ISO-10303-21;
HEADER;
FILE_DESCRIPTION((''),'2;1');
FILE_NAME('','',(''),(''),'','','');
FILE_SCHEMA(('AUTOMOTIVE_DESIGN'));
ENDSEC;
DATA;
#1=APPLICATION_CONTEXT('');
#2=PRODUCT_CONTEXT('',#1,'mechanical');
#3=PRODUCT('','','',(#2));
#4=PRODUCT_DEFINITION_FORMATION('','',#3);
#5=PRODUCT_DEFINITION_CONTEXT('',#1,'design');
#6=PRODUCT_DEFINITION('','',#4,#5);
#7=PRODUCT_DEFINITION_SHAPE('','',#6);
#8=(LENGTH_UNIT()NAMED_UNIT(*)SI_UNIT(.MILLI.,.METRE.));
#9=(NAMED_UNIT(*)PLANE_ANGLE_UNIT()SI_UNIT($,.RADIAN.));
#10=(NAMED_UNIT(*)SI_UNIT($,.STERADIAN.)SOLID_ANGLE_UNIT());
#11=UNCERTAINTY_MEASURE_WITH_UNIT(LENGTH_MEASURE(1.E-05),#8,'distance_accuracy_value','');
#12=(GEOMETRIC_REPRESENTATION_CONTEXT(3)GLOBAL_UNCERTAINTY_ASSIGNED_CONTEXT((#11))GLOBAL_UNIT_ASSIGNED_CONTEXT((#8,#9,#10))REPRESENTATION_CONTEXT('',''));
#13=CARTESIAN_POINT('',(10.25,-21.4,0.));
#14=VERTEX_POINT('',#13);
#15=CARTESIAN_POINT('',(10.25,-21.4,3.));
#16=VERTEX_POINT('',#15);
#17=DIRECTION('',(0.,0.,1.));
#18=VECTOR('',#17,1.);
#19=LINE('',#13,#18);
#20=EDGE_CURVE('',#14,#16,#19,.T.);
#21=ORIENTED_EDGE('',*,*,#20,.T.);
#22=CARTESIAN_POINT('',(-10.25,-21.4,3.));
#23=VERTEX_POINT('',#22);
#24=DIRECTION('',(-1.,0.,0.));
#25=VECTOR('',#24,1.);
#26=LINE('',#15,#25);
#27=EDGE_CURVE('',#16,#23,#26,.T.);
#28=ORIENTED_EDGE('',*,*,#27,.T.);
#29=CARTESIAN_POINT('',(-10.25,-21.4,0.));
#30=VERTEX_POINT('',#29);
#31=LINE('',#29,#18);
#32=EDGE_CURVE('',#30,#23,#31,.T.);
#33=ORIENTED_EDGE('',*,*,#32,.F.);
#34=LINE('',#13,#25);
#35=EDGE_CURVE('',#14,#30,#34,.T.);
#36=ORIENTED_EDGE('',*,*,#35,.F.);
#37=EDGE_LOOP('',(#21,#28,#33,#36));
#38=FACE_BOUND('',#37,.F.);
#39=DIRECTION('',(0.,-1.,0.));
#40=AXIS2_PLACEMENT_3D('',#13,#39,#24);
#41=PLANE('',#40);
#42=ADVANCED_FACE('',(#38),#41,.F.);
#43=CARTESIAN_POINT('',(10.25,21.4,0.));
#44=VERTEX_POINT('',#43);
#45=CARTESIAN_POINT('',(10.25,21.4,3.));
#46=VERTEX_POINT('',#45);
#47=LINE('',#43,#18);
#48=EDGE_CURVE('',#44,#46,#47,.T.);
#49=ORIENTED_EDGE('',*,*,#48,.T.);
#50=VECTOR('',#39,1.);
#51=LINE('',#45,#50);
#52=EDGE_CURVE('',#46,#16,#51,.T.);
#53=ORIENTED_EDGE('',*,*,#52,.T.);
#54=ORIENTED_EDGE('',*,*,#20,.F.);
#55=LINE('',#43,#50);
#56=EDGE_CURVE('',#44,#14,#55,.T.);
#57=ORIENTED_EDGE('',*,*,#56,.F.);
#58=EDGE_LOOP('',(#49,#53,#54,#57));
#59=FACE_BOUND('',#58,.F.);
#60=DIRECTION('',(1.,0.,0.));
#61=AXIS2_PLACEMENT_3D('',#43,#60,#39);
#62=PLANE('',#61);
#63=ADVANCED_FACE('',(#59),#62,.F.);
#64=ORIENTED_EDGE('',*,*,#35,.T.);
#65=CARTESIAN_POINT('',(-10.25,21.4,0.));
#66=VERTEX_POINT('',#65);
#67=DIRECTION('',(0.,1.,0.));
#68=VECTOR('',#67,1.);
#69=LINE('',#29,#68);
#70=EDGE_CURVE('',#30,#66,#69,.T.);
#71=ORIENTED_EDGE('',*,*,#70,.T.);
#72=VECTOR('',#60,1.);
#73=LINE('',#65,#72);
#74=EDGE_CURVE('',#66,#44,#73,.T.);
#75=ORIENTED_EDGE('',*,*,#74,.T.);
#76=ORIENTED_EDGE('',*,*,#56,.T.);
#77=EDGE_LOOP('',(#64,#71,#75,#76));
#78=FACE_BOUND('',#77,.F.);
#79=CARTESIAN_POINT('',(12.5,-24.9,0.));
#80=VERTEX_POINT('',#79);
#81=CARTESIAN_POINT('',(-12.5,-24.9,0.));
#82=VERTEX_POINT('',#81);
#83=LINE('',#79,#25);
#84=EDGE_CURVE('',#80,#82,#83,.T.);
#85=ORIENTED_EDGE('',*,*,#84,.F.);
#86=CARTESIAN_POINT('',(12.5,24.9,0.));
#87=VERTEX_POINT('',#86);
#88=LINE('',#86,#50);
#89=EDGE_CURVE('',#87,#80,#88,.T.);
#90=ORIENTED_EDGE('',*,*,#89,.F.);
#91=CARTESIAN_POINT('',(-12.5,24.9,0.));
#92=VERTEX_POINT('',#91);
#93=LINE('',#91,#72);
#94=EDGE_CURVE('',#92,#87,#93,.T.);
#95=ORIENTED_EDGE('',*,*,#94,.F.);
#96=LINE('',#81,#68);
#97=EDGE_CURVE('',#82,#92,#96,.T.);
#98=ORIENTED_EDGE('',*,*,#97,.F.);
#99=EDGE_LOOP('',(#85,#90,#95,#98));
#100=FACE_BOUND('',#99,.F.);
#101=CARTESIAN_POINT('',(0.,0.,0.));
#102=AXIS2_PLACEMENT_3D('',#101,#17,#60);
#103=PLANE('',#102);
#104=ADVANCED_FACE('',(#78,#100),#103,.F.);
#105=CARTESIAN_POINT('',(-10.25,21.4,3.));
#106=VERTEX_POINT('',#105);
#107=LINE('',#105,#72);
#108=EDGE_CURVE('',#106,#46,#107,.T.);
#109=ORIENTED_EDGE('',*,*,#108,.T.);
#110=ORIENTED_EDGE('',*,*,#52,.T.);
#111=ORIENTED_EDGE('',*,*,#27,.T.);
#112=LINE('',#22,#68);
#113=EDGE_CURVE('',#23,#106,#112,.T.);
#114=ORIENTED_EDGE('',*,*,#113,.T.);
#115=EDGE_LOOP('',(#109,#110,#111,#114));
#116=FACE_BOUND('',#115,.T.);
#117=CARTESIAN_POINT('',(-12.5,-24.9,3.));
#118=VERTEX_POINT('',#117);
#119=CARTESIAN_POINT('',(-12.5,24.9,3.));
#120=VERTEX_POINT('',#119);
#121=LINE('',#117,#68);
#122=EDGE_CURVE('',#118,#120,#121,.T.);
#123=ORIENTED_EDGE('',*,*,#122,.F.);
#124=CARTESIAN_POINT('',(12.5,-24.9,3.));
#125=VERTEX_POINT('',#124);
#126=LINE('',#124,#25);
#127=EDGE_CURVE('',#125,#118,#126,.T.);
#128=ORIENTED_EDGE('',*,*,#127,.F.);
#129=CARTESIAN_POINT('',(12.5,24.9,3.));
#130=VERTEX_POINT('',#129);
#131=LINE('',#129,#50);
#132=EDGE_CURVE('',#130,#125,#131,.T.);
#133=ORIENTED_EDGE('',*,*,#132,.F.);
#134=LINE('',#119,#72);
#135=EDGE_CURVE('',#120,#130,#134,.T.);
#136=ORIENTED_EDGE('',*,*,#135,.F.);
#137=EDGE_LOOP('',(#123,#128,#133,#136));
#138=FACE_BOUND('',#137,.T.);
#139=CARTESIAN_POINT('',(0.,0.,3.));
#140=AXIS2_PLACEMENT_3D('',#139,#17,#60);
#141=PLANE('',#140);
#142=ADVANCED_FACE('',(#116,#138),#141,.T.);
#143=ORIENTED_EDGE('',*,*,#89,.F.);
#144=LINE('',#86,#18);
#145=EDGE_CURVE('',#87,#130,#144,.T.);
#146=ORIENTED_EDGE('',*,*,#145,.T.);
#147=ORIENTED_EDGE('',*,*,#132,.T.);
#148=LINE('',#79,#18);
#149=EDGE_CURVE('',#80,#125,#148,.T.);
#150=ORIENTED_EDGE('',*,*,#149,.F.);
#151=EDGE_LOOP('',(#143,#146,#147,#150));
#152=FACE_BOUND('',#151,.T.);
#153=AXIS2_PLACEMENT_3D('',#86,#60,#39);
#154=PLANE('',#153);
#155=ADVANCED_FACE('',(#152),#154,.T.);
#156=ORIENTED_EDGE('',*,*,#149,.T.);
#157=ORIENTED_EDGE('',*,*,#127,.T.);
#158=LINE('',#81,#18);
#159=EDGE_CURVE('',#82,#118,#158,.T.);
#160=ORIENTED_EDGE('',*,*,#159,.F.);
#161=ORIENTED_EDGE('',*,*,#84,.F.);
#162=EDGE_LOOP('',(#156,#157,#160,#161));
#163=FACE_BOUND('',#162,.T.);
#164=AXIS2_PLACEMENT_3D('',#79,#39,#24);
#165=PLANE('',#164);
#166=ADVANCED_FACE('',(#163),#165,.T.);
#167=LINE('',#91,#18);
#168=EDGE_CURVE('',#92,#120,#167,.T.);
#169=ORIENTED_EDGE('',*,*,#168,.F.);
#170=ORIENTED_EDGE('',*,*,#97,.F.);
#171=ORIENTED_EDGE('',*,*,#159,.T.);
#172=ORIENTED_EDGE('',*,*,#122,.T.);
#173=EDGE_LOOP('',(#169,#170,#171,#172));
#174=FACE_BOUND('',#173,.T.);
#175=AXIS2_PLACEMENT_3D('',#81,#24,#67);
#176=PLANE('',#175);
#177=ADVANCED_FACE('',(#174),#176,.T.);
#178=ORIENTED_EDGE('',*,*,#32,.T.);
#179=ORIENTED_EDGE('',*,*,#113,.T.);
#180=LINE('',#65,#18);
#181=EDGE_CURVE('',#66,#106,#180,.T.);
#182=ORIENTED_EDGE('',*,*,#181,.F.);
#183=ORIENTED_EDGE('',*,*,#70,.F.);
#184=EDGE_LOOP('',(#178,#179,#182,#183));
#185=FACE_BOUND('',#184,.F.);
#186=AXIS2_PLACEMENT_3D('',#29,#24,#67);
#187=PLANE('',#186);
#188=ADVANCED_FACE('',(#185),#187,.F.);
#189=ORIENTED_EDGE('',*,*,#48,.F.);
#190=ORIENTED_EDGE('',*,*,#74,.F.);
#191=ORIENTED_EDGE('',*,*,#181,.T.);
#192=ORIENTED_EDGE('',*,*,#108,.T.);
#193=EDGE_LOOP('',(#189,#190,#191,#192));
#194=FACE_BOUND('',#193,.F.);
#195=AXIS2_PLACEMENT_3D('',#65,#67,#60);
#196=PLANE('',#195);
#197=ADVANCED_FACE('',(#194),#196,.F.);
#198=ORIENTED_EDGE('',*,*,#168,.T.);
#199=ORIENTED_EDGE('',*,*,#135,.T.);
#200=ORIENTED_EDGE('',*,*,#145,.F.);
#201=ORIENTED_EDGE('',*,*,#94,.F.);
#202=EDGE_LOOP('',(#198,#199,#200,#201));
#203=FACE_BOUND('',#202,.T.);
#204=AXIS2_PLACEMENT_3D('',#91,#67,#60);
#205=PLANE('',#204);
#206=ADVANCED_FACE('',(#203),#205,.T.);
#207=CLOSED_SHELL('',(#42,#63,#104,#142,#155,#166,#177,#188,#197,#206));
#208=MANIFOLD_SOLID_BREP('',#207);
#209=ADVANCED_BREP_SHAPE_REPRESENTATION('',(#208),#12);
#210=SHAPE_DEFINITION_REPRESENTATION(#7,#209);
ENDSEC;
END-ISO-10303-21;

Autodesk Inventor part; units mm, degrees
ref_plane "YZ Plane" through (0, 0, 0) normal (1, 0, 0) x (0, 1, 0)
ref_plane "XZ Plane" through (0, 0, 0) normal (0, 1, 0) x (-1, 0, 0)
ref_plane "XY Plane" through (0, 0, 0) normal (0, 0, 1) x (1, 0, 0)
sketch "Sketch1" plane through (0, 0, 0) normal (0, 0, 1) x (1, 0, 0)
  line L0 (-17.5, 0) -> (17.5, 0) construction
  line L1 (0, -34.86) -> (0, 34.86) construction
  line L2 (-12.5, 24.9) -> (12.5, 24.9)
  line L3 (12.5, 24.9) -> (12.5, -24.9)
  line L4 (12.5, -24.9) -> (-12.5, -24.9)
  line L5 (-12.5, -24.9) -> (-12.5, 24.9)
  line L6 (-10.25, 21.4) -> (10.25, 21.4)
  line L7 (10.25, 21.4) -> (10.25, -21.4)
  line L8 (10.25, -21.4) -> (-10.25, -21.4)
  line L9 (-10.25, -21.4) -> (-10.25, 21.4)
  point P0 (0, 0)
  dimension "d0" = 20.5
  dimension "d1" = 25
  dimension "d2" = 49.8
  dimension "d3" = 42.8
extrude "Extrusion1" add sketch "Sketch1" along normal blind 3
properties part number "20_Cube_Insert_Sample_clamp"
